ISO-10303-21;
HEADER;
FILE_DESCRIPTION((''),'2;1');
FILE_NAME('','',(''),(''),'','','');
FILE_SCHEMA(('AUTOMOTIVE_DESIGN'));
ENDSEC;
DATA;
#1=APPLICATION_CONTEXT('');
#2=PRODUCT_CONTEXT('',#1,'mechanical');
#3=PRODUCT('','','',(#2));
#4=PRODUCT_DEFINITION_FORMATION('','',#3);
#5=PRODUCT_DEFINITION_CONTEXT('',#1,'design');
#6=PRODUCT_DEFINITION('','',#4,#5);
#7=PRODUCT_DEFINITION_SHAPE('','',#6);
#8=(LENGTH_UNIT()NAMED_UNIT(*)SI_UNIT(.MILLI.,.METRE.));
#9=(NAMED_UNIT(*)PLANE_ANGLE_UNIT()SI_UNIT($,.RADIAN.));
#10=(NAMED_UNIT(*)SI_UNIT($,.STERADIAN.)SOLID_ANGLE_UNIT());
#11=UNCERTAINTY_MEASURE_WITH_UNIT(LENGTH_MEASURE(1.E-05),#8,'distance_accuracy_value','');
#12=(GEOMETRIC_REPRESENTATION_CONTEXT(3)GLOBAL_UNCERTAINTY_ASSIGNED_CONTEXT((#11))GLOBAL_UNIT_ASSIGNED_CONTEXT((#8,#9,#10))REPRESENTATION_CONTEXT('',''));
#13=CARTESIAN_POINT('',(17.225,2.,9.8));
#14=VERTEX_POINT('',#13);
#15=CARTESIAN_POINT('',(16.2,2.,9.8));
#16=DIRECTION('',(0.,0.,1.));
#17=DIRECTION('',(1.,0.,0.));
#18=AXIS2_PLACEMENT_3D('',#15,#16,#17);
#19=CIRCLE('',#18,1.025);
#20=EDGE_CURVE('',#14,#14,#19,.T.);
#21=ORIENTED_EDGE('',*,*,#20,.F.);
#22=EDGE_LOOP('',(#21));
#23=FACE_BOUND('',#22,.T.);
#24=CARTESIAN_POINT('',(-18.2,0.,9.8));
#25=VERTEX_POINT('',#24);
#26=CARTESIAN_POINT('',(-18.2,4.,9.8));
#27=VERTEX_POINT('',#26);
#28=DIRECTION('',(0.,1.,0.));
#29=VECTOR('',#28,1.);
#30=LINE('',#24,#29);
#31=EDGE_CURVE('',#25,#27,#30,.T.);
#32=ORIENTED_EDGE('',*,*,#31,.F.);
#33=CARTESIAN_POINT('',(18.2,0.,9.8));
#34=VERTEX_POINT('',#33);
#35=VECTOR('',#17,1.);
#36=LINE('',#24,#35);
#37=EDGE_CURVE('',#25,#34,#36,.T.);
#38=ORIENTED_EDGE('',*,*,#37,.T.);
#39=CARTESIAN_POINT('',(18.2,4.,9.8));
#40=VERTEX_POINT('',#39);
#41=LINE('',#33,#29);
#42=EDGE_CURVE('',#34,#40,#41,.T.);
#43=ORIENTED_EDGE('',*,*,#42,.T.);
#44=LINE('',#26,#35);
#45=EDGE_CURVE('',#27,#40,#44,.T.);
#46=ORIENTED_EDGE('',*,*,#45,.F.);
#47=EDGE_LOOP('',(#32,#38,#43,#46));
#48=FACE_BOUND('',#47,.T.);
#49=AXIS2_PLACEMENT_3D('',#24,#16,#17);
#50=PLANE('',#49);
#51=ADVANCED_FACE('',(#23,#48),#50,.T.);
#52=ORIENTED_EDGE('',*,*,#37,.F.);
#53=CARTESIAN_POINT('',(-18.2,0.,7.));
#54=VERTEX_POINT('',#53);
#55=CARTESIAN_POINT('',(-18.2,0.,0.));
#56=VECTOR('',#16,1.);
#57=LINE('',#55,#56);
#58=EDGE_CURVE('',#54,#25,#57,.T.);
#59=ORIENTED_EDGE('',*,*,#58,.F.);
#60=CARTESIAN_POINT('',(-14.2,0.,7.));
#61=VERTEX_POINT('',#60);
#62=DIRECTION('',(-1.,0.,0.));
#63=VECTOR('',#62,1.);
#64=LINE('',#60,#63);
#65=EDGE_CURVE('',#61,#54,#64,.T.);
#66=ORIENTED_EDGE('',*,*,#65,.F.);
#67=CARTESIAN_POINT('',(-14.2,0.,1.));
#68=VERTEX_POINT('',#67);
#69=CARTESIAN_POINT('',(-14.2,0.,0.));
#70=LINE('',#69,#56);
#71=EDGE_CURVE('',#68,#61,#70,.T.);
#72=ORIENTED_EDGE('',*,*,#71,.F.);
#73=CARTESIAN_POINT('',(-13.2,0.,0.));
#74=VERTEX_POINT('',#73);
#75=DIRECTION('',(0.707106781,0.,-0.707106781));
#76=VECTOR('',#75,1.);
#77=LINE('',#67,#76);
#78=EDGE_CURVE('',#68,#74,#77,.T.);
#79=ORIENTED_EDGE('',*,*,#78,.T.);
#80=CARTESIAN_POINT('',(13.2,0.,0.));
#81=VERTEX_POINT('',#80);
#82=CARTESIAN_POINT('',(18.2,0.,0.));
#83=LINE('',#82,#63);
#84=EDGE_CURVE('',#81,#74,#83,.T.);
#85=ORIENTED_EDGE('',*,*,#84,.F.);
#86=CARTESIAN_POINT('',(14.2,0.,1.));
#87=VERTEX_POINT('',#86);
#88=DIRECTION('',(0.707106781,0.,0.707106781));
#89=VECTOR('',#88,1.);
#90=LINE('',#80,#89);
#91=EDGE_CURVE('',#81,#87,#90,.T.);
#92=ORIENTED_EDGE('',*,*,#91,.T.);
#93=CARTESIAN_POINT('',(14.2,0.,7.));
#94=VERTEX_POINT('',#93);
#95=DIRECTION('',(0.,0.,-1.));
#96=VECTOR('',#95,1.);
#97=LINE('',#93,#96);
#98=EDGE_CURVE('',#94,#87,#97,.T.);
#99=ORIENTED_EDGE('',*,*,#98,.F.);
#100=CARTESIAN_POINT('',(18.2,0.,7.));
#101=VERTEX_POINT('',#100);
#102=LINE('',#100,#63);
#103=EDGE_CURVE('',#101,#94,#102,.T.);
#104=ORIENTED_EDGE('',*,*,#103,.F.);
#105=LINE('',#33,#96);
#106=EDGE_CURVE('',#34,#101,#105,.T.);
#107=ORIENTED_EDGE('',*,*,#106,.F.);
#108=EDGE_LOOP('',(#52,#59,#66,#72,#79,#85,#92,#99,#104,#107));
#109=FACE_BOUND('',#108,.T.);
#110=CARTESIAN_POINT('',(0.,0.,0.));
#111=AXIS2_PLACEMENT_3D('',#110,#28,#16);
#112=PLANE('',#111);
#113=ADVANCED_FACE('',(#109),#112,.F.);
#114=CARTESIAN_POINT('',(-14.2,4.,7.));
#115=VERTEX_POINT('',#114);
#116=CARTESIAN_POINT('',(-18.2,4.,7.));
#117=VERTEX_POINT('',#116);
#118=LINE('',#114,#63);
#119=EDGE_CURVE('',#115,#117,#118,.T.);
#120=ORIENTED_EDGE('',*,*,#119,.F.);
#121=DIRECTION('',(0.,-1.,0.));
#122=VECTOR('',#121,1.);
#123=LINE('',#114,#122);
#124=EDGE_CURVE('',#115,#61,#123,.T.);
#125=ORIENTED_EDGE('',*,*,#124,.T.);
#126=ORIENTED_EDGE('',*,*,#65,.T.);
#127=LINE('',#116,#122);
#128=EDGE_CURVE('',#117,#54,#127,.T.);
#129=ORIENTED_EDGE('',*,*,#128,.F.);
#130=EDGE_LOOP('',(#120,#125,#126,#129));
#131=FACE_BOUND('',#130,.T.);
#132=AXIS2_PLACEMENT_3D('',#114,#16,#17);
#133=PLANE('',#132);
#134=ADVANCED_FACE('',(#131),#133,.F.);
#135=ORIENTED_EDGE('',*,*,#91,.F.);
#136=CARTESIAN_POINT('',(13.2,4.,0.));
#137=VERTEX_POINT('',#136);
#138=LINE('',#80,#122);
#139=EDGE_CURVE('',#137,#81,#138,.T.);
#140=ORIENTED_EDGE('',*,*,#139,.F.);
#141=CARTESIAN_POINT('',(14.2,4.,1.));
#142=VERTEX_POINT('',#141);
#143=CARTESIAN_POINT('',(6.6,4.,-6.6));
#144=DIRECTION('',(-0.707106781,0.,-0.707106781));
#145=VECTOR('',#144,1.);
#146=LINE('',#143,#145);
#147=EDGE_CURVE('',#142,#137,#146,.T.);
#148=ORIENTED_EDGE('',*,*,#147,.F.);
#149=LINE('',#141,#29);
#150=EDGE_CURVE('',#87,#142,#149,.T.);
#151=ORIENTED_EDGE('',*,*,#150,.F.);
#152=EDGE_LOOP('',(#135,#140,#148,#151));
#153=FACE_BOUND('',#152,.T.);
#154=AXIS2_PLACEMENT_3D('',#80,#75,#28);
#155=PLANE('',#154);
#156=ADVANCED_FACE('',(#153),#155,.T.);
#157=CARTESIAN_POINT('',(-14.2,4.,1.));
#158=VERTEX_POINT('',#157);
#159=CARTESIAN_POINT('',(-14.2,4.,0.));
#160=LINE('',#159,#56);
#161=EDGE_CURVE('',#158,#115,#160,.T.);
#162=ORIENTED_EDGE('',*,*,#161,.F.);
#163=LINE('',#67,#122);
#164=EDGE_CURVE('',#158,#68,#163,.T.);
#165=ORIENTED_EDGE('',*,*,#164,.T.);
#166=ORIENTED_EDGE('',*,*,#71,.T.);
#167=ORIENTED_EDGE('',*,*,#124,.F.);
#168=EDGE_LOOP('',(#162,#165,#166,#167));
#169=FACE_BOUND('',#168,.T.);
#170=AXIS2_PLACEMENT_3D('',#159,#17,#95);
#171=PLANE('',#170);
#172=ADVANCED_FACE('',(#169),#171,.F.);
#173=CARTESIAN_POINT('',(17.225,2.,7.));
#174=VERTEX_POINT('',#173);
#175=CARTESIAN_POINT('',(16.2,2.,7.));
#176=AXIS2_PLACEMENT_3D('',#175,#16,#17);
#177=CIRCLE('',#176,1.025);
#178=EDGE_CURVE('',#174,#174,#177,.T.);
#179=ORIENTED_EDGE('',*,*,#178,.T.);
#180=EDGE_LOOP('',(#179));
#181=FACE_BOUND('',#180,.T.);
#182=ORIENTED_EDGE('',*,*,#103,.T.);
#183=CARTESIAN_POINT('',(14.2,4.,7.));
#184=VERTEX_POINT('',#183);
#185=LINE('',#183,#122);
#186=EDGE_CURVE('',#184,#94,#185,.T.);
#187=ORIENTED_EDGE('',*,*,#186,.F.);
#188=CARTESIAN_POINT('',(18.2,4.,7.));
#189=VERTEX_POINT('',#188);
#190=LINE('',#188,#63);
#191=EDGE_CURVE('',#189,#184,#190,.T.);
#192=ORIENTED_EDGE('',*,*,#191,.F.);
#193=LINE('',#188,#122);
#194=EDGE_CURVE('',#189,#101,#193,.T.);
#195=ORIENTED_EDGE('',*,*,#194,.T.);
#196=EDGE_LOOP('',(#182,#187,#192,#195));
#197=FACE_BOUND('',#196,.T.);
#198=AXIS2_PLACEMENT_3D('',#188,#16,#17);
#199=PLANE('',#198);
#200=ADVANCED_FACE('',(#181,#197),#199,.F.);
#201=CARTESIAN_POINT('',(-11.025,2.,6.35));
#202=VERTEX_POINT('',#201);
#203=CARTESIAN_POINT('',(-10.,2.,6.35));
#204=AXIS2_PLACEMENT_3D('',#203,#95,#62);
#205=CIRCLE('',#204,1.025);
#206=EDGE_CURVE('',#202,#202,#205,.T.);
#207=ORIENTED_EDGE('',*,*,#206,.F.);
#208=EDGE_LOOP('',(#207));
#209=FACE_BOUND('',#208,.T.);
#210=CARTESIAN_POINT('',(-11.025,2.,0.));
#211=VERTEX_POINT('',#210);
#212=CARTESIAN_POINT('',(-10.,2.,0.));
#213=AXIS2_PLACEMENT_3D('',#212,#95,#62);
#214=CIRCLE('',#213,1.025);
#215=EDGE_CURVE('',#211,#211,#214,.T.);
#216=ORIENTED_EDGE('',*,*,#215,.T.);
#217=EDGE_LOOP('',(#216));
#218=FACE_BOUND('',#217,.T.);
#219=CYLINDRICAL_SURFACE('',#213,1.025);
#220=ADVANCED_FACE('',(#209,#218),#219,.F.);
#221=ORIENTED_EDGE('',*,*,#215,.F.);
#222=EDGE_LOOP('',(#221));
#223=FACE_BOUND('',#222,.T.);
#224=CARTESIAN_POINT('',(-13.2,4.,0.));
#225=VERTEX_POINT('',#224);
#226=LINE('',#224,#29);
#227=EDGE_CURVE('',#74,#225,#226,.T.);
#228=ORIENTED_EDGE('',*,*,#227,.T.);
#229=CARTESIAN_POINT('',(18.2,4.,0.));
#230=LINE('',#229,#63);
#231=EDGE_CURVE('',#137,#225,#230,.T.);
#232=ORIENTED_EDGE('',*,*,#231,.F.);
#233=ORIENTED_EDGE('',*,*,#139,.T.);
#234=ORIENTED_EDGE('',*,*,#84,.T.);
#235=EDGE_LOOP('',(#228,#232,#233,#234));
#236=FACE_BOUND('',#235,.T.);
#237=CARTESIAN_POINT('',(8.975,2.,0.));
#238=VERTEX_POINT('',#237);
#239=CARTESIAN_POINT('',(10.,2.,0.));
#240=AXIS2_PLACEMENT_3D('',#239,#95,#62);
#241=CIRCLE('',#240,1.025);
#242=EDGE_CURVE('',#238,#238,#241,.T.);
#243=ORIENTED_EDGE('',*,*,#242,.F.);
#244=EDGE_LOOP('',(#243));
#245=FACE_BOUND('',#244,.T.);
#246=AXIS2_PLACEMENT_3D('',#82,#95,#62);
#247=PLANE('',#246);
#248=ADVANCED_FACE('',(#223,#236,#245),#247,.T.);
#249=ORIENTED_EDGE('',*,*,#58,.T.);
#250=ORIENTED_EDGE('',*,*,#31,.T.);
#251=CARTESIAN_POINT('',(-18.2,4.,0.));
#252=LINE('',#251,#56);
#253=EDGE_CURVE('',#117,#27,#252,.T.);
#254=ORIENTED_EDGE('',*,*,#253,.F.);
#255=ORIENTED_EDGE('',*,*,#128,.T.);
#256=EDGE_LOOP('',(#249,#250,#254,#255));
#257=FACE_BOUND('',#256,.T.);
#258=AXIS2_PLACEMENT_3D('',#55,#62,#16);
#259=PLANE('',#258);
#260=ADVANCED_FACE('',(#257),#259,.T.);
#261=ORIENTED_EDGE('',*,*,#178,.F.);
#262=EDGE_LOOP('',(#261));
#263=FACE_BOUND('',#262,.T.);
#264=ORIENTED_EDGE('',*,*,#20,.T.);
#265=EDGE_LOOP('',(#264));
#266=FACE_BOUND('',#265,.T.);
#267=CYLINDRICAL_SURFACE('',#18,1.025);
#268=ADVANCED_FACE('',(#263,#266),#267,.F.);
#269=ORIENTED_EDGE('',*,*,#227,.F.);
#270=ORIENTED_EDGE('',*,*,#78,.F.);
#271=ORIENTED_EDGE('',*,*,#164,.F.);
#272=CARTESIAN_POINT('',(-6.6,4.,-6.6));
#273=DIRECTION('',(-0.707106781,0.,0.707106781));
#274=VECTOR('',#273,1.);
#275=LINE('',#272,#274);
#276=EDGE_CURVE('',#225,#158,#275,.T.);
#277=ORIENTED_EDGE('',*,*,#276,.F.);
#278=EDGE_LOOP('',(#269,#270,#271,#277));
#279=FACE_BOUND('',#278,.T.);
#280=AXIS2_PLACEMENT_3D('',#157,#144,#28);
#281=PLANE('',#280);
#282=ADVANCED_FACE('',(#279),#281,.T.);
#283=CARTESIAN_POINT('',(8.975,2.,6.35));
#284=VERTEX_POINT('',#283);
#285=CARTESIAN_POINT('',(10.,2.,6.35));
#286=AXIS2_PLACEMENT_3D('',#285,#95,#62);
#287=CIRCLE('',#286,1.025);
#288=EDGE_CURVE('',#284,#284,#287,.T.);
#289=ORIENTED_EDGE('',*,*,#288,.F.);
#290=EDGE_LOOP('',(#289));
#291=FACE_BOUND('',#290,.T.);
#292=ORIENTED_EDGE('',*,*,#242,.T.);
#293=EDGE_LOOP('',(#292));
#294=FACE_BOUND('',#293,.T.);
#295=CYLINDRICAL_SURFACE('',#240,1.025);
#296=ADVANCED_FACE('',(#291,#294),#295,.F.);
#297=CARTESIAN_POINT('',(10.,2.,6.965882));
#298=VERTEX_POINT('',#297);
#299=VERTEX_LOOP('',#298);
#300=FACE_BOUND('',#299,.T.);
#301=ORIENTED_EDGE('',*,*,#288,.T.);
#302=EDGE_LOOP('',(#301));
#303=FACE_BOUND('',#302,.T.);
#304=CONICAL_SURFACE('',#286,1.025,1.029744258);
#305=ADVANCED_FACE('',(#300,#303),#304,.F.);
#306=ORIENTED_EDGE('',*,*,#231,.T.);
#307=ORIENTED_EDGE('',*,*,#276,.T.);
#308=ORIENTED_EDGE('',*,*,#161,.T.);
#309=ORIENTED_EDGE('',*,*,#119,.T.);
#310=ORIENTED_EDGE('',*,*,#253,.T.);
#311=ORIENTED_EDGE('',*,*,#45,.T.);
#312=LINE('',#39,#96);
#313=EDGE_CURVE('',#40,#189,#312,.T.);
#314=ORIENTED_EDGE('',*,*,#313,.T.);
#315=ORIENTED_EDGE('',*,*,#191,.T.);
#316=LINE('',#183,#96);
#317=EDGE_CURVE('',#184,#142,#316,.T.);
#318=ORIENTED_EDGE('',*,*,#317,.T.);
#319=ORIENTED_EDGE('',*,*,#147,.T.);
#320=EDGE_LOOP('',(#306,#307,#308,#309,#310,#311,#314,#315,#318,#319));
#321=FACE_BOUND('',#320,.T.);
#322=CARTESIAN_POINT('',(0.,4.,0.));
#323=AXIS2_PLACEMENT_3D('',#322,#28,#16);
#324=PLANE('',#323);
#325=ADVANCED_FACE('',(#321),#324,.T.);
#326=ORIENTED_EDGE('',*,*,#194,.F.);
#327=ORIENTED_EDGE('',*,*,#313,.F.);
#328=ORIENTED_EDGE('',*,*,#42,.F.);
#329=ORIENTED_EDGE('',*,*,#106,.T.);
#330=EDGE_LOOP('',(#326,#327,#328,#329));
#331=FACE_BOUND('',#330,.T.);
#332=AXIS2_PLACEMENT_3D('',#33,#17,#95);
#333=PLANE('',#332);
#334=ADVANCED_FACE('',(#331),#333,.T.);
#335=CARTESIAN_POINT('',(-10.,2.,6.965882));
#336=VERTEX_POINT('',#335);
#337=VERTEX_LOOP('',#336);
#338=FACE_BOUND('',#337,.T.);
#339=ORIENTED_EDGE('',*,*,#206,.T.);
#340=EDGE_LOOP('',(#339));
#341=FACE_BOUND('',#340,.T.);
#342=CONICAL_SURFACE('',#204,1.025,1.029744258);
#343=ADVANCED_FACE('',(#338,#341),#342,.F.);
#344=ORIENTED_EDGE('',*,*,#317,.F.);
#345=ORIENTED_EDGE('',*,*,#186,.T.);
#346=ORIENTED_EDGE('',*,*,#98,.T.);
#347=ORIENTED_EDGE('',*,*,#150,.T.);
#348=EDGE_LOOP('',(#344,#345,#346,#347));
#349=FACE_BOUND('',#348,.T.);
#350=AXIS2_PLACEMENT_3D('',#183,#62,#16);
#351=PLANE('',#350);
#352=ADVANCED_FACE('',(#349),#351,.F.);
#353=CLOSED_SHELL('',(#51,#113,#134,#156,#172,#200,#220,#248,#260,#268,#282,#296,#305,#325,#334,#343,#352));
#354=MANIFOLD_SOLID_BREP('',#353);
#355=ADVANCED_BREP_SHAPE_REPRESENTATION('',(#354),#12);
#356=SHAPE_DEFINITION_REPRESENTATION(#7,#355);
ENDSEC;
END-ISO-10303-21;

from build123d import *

# Parameters (mm, degrees)
SKETCH1_W                        = 36.4
SKETCH1_H                        = 9.8
BOSS_EXTRUDE1_DEPTH              = 4
SKETCH2_W                        = 4
SKETCH2_H                        = 6.999999999
CUT_EXTRUDE1_DEPTH               = 5
SKETCH3_W                        = 4
SKETCH3_H                        = 6.999999999
CUT_EXTRUDE2_DEPTH               = 5
F_2_05_2_05_DIAMETER_HOLE1_D     = 2.05
F_2_05_2_05_DIAMETER_HOLE1_DEPTH = 6.35
F_2_05_2_05_DIAMETER_HOLE1_TIP   = 0.615882135
F_2_05_2_05_DIAMETER_HOLE2_D     = 2.05
F_2_05_2_05_DIAMETER_HOLE2_DEPTH = 9.8
CHAMFER1_SIZE                    = 1


with BuildPart() as part:
    # Sketch1 → Boss-Extrude1 (new body)
    with BuildSketch(Plane(origin=(0, 4, 0), x_dir=(1, 0, 0), z_dir=(0, 1, 0))):
        with Locations((0, -4.9)):
            Rectangle(SKETCH1_W, SKETCH1_H)
    extrude(amount=-BOSS_EXTRUDE1_DEPTH)

    # Sketch2 → Cut-Extrude1 (cut, through all)
    with BuildSketch(Plane.XZ):
        with Locations((-16.2, 3.5)):
            Rectangle(SKETCH2_W, SKETCH2_H)
    extrude(amount=-CUT_EXTRUDE1_DEPTH, mode=Mode.SUBTRACT)

    # Sketch3 → Cut-Extrude2 (cut, through all)
    with BuildSketch(Plane.XZ):
        with Locations((16.2, 3.5)):
            Rectangle(SKETCH3_W, SKETCH3_H)
    extrude(amount=-CUT_EXTRUDE2_DEPTH, mode=Mode.SUBTRACT)

    # Ø2.05 (2.05) Diameter Hole1
    with Locations(Plane(origin=(0, 0, 0), x_dir=(-1, 0, 0), z_dir=(0, 0, -1))):
        with Locations((10, 2), (-10, 2)):
            Hole(F_2_05_2_05_DIAMETER_HOLE1_D / 2, depth=F_2_05_2_05_DIAMETER_HOLE1_DEPTH)
            with Locations((0, 0, -(F_2_05_2_05_DIAMETER_HOLE1_DEPTH + F_2_05_2_05_DIAMETER_HOLE1_TIP / 2))):  # 118° drill point
                Cone(0, F_2_05_2_05_DIAMETER_HOLE1_D / 2, F_2_05_2_05_DIAMETER_HOLE1_TIP, mode=Mode.SUBTRACT)

    # Ø2.05 (2.05) Diameter Hole2
    with Locations(Plane.XY.offset(9.8)):
        with Locations((16.2, 2)):
            Hole(F_2_05_2_05_DIAMETER_HOLE2_D / 2, depth=F_2_05_2_05_DIAMETER_HOLE2_DEPTH)

    # Chamfer1
    chamfer1_edges = [part.edges().sort_by_distance(p)[0] for p in [
        (-14.2, 2, 0),
        (14.2, 2, 0),
    ]]
    chamfer(chamfer1_edges, length=CHAMFER1_SIZE)


solid = part.part
